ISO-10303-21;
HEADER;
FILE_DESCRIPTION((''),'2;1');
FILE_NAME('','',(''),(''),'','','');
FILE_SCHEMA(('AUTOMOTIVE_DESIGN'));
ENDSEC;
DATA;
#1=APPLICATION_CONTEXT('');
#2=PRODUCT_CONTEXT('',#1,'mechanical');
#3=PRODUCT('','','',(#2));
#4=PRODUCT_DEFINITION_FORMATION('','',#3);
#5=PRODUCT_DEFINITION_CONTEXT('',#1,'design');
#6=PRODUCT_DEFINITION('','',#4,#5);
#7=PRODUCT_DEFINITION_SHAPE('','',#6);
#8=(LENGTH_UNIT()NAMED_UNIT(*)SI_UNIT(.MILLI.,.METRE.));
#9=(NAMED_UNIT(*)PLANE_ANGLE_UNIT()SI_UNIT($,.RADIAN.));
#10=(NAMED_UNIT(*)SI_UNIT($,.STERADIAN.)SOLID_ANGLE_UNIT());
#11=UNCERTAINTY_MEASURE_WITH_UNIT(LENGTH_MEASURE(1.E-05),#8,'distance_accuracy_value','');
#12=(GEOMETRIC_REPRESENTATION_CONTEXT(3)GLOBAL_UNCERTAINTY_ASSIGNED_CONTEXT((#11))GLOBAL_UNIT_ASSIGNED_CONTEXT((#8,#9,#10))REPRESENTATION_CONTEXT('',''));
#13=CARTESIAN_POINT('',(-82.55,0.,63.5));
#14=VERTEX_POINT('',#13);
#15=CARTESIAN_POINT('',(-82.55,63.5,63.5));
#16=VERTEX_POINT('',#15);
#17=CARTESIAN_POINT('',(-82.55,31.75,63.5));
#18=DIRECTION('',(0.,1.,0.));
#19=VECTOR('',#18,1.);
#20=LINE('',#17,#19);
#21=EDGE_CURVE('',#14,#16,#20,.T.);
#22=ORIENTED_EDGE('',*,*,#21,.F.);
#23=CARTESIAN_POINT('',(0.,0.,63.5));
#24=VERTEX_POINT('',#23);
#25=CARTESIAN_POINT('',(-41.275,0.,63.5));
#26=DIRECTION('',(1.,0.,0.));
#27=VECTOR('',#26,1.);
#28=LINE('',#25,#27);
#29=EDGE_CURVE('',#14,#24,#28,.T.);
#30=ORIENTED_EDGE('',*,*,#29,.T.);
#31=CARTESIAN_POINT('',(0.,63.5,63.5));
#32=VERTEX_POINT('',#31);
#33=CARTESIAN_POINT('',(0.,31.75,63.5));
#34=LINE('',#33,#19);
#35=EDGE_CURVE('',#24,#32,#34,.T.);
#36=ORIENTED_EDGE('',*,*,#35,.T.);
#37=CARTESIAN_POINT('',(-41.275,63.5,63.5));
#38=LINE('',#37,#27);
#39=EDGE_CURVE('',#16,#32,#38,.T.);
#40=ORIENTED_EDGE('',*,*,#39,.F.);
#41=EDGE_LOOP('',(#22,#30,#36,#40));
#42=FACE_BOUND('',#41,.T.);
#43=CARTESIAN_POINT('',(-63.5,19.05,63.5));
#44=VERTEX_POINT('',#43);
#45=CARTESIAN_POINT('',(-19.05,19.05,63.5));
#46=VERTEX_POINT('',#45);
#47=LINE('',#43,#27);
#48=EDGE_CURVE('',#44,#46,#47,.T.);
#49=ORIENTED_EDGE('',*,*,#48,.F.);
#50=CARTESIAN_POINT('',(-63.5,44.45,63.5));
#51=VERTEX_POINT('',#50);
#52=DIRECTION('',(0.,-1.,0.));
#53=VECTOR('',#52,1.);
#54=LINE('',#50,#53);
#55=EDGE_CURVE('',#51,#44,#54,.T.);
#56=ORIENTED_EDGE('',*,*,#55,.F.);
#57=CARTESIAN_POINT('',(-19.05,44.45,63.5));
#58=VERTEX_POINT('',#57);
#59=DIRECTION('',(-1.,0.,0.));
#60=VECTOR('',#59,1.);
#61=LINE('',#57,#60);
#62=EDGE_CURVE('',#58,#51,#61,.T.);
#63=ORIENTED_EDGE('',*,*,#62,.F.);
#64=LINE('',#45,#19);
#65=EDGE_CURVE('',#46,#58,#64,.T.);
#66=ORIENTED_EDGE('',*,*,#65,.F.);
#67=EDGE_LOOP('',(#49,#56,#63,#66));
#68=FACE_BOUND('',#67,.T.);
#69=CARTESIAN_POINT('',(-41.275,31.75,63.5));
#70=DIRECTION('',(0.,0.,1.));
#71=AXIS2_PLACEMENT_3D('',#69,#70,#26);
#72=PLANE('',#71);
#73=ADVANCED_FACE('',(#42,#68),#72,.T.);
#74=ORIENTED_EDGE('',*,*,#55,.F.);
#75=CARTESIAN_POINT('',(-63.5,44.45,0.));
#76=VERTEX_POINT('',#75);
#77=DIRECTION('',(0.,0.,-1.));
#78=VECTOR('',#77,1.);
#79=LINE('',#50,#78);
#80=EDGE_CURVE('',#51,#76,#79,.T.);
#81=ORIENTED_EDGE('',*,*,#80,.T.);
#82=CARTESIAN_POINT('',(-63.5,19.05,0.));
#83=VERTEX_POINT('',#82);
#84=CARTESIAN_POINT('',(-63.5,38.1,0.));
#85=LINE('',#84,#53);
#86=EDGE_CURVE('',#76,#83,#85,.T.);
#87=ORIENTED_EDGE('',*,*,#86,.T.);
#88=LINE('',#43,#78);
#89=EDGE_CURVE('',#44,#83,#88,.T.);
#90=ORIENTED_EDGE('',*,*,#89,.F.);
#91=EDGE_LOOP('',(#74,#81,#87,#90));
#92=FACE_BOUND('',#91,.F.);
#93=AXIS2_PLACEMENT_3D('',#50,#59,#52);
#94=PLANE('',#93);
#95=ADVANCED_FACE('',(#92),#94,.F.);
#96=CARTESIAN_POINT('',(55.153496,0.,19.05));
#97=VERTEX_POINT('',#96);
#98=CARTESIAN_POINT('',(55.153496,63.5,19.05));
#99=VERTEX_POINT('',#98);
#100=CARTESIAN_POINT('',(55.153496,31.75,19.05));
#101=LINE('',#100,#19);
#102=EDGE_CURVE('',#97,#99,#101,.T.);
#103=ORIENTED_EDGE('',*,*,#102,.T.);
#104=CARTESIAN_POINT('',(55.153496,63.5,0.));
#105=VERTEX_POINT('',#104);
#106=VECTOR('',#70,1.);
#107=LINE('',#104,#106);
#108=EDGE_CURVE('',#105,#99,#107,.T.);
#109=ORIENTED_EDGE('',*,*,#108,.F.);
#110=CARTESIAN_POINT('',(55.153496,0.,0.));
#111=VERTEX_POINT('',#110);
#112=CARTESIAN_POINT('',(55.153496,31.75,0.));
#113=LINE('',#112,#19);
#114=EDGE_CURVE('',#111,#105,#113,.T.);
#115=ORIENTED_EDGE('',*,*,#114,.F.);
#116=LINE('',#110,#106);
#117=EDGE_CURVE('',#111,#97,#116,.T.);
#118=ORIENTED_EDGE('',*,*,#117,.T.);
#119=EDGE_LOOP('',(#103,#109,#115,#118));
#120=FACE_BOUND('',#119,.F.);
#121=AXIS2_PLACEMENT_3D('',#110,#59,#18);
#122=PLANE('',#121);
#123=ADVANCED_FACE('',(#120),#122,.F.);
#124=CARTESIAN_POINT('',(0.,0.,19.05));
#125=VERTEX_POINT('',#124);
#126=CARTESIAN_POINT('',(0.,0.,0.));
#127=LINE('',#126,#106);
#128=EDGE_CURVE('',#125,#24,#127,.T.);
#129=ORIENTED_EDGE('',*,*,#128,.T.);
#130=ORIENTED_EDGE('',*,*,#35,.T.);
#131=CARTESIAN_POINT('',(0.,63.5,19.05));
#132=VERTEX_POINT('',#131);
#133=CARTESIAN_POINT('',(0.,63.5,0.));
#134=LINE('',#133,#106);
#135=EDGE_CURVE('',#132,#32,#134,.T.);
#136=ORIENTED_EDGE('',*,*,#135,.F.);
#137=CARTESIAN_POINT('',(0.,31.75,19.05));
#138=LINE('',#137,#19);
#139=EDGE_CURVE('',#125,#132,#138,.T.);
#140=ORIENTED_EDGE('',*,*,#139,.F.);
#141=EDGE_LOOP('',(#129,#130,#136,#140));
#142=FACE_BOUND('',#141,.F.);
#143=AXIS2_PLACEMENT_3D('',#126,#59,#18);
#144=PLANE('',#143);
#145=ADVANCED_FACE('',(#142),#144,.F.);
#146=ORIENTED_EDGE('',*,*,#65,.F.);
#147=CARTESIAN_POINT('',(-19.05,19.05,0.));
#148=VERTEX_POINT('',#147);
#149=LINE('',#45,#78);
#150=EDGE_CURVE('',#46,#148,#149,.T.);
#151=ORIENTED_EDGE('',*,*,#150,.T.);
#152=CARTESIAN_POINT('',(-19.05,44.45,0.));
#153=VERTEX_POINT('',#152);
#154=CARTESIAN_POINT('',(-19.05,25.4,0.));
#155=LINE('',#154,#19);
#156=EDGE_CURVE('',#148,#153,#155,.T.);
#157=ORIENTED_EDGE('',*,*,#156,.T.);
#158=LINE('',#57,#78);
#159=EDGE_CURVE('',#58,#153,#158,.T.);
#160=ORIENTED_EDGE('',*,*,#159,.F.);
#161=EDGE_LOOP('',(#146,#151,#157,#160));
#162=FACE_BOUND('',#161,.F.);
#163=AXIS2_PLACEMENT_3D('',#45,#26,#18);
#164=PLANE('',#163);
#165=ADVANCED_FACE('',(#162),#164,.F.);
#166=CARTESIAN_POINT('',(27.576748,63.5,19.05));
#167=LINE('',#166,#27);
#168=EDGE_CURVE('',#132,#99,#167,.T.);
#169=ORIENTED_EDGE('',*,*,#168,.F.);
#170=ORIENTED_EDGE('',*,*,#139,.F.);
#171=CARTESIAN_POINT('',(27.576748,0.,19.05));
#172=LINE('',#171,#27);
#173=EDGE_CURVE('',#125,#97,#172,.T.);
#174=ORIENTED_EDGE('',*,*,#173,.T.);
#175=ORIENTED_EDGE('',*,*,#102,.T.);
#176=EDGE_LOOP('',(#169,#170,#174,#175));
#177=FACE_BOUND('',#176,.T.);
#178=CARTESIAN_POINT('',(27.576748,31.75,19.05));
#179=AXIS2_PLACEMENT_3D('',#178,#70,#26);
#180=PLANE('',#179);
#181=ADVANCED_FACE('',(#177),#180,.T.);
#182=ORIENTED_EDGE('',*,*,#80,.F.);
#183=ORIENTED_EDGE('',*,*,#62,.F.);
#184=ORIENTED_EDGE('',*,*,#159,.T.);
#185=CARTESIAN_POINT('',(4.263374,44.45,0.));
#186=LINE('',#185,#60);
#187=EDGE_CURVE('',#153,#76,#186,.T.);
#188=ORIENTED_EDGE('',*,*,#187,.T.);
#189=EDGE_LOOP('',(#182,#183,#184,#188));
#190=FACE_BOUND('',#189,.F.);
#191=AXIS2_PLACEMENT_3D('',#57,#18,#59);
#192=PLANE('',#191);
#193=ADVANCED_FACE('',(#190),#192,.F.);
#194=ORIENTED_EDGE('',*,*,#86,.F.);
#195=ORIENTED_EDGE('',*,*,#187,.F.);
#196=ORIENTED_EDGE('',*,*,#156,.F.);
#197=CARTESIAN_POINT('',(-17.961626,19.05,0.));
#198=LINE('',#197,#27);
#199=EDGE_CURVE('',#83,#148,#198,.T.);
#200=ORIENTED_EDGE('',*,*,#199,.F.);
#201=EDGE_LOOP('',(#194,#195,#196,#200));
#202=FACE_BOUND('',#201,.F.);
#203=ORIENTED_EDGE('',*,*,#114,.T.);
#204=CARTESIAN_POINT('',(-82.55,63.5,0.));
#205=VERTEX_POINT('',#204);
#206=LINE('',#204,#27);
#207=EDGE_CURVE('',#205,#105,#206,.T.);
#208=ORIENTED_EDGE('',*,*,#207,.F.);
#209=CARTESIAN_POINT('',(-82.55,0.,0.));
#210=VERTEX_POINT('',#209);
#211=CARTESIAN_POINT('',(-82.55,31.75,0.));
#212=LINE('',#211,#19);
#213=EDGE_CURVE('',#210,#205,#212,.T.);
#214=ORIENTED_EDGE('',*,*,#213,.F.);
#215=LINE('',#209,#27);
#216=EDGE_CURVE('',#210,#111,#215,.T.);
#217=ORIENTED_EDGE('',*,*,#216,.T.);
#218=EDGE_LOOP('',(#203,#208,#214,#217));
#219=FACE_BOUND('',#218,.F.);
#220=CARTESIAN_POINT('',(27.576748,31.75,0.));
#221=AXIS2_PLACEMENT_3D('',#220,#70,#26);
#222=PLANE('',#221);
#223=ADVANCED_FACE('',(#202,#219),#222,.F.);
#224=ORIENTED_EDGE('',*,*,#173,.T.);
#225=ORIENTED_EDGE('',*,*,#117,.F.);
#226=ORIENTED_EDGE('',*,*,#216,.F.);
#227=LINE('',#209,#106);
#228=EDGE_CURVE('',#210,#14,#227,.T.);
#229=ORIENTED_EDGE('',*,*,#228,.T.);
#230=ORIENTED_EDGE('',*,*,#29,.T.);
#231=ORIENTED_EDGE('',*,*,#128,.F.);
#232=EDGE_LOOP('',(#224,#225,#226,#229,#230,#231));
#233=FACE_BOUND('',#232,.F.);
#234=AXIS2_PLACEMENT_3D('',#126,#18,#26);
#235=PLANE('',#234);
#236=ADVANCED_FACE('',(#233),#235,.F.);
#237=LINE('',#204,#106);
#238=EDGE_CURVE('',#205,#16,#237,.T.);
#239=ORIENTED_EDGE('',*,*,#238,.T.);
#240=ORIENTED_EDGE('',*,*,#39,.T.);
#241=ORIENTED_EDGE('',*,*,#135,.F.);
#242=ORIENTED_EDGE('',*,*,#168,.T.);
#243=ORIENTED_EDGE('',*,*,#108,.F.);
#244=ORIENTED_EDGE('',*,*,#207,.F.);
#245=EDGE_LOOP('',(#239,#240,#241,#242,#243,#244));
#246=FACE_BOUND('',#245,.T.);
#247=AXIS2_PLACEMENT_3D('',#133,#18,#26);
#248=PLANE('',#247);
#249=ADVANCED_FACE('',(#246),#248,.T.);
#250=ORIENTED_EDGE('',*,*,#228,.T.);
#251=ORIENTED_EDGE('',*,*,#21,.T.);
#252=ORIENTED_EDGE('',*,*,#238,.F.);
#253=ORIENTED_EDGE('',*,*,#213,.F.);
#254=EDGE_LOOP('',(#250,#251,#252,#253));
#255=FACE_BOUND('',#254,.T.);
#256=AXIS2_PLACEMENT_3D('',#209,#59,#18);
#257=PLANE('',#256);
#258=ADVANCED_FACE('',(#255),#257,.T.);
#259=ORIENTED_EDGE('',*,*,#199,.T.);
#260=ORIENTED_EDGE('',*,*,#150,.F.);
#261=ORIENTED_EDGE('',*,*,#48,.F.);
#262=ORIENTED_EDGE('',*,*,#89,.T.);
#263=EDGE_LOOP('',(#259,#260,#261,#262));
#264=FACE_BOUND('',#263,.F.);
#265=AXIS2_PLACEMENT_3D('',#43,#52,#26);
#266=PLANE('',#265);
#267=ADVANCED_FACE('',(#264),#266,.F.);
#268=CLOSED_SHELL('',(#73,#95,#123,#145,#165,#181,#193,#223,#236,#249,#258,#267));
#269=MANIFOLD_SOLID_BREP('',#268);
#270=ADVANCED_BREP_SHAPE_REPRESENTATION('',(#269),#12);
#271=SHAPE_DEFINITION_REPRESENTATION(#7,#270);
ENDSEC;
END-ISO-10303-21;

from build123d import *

# Parameters (mm, degrees)
F0_W     = 82.55
F0_H     = 63.5
F1_DEPTH = 63.5
F0_W_2   = 55.153496
F2_DEPTH = 19.05
F4_DEPTH = 63.501


with BuildPart() as f1:
    # F0 (on Top) → F1 (new body)
    with BuildSketch(Plane.XY):
        with Locations((-41.275, 31.75)):
            Rectangle(F0_W, F0_H)
    extrude(amount=F1_DEPTH)

    # F0 (on Top) → F2 (join)
    with BuildSketch(Plane.XY):
        with Locations((27.576748, 31.75)):
            Rectangle(F0_W_2, F0_H)
    extrude(amount=F2_DEPTH)

    # F3 (on face) → F4 (cut, through all)
    with BuildSketch(Plane.XY.offset(63.5)):
        Polygon((-63.5, 44.45), (-63.5, 31.75), (-63.5, 19.05), (-41.275, 19.05), (-19.05, 19.05), (-19.05, 31.75), (-19.05, 44.45), (-41.275, 44.45), align=None)
    extrude(amount=-F4_DEPTH, mode=Mode.SUBTRACT)


solid = f1.part
